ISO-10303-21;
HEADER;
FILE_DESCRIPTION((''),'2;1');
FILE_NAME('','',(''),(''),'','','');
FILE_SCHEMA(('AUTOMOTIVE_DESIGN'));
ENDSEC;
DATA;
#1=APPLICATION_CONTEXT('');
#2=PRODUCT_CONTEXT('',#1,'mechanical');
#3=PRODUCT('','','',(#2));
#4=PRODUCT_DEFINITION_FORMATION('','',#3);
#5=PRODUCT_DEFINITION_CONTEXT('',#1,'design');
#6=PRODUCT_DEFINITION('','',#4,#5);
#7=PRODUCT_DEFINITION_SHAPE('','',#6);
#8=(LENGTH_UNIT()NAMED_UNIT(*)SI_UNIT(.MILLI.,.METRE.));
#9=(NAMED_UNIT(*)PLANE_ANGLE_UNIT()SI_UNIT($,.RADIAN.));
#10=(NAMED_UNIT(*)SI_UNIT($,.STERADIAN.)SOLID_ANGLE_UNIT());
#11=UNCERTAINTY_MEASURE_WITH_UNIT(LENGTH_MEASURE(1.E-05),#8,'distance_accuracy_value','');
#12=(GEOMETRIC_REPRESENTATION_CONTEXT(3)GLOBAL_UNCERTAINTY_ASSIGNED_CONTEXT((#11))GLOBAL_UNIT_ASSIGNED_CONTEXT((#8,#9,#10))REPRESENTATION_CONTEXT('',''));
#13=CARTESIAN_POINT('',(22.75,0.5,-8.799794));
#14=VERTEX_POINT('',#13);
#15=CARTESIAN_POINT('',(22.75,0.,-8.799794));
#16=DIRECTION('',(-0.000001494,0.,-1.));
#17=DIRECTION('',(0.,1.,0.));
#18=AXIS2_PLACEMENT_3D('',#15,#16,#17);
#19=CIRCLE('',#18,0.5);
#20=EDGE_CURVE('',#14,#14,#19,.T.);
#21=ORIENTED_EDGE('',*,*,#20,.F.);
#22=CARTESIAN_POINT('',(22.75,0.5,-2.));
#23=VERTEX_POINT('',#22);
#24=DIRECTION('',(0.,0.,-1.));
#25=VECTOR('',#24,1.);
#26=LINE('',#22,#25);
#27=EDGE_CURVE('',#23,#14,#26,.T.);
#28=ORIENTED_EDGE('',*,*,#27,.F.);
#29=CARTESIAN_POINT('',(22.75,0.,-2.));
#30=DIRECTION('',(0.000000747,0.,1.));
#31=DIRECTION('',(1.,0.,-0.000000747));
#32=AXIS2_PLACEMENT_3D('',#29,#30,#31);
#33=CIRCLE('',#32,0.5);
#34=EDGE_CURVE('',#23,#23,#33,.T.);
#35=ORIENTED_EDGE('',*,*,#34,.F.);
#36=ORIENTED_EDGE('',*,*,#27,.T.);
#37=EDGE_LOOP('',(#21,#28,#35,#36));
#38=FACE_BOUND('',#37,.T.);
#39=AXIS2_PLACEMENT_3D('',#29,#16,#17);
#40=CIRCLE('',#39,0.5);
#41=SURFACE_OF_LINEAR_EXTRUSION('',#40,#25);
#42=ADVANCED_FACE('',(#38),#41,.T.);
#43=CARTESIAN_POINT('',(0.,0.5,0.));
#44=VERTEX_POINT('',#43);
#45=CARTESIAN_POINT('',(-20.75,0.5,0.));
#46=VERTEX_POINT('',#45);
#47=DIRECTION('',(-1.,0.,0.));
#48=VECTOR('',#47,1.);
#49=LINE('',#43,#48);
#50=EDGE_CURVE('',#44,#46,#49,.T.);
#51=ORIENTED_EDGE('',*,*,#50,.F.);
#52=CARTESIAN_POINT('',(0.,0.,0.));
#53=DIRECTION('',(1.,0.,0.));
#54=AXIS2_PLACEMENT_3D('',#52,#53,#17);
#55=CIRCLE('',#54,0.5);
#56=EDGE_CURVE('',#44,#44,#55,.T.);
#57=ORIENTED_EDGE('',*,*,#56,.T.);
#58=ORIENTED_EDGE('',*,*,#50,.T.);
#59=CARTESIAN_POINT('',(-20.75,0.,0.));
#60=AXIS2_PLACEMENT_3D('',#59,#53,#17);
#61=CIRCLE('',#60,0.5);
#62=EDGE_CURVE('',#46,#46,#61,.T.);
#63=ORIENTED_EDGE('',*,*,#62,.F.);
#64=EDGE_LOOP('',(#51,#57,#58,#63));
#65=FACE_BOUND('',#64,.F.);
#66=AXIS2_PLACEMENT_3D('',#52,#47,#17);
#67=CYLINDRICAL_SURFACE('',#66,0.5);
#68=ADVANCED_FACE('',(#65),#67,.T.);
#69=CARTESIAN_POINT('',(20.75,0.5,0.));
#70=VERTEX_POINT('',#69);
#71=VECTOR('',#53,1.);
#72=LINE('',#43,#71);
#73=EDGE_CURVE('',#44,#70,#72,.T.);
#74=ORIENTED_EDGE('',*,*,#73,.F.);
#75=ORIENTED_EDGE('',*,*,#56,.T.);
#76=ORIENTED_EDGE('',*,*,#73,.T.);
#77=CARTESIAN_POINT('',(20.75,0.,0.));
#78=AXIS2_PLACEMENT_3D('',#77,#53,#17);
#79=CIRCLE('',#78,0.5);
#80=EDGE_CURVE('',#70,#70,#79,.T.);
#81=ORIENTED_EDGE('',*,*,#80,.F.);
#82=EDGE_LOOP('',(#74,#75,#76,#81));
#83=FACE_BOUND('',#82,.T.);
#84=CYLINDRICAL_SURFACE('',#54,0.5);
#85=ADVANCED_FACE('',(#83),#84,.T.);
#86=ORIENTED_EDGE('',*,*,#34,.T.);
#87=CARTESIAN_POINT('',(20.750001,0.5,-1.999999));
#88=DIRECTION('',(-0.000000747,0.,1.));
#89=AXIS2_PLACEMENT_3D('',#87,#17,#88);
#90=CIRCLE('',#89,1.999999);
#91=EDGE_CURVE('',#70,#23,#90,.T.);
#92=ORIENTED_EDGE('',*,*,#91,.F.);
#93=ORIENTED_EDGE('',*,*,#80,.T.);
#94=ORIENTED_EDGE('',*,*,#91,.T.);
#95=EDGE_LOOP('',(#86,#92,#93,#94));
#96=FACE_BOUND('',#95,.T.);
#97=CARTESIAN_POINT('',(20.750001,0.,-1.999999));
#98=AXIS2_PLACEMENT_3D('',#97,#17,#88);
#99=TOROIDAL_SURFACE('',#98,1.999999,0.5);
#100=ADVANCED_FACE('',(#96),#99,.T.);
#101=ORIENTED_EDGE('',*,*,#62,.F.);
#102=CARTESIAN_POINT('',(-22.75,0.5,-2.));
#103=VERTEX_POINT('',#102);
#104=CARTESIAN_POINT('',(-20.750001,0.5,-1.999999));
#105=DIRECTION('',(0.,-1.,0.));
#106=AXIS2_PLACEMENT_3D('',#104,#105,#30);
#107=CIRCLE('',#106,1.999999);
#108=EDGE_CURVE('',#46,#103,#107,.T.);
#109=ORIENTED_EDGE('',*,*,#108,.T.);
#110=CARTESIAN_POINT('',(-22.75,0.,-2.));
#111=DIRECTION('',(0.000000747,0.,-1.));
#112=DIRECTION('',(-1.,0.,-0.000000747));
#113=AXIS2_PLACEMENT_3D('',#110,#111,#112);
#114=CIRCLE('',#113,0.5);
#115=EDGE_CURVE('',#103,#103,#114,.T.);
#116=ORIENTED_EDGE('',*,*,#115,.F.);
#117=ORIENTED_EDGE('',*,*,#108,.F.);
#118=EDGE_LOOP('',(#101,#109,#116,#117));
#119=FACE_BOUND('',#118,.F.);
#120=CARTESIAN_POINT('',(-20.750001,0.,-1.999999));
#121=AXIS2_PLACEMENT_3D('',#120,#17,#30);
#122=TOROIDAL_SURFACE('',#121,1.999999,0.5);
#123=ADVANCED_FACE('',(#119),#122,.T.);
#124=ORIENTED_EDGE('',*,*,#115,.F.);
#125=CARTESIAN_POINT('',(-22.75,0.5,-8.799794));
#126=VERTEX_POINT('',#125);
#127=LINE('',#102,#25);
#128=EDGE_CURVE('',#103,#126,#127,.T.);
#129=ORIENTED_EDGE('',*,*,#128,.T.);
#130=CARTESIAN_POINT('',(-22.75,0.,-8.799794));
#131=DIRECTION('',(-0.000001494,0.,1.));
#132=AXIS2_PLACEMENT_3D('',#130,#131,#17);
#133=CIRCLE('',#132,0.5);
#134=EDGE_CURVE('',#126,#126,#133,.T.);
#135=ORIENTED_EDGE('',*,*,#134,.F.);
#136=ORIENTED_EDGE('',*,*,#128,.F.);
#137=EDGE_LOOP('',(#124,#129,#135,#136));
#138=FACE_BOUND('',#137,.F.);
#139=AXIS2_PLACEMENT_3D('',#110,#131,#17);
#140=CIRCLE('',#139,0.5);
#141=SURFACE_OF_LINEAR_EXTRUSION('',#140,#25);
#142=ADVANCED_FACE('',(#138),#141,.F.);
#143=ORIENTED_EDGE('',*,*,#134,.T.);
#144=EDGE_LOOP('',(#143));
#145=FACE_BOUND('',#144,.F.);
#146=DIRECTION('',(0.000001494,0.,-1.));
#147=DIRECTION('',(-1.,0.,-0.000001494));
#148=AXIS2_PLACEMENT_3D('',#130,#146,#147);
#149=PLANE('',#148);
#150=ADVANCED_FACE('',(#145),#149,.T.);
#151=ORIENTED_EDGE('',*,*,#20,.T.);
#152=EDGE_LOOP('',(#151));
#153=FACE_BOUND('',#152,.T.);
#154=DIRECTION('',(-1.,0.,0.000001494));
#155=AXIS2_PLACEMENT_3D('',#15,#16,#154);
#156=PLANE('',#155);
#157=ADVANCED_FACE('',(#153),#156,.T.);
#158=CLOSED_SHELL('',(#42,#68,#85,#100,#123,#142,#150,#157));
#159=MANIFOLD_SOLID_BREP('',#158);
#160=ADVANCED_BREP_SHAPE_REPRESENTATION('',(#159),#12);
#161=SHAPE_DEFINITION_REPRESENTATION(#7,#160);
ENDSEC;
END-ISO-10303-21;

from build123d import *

# Parameters (mm, degrees)
F1_R = 0.5


with BuildPart() as f2:
    # F2: sweep along a path in F0
    with BuildLine(Plane.XZ) as f2_path:
        Line((0, 0), (20.75, 0))
        ThreePointArc((20.75, 0), (22.164214, -0.585786), (22.75, -2))
        Line((22.75, -2), (22.75, -8.799794))
    # F1 (on Right) → F2 (sweep)
    with BuildSketch(Plane.YZ):
        Circle(F1_R)
    sweep(path=f2_path.line)

    # F3: F2 across face


with BuildPart() as f2_1:
    add(f2.part)
    add(f2.part.mirror(Plane(origin=(0, 0, 0), x_dir=(0, -1, 0), z_dir=(-1, 0, 0))))


solid = f2_1.part
